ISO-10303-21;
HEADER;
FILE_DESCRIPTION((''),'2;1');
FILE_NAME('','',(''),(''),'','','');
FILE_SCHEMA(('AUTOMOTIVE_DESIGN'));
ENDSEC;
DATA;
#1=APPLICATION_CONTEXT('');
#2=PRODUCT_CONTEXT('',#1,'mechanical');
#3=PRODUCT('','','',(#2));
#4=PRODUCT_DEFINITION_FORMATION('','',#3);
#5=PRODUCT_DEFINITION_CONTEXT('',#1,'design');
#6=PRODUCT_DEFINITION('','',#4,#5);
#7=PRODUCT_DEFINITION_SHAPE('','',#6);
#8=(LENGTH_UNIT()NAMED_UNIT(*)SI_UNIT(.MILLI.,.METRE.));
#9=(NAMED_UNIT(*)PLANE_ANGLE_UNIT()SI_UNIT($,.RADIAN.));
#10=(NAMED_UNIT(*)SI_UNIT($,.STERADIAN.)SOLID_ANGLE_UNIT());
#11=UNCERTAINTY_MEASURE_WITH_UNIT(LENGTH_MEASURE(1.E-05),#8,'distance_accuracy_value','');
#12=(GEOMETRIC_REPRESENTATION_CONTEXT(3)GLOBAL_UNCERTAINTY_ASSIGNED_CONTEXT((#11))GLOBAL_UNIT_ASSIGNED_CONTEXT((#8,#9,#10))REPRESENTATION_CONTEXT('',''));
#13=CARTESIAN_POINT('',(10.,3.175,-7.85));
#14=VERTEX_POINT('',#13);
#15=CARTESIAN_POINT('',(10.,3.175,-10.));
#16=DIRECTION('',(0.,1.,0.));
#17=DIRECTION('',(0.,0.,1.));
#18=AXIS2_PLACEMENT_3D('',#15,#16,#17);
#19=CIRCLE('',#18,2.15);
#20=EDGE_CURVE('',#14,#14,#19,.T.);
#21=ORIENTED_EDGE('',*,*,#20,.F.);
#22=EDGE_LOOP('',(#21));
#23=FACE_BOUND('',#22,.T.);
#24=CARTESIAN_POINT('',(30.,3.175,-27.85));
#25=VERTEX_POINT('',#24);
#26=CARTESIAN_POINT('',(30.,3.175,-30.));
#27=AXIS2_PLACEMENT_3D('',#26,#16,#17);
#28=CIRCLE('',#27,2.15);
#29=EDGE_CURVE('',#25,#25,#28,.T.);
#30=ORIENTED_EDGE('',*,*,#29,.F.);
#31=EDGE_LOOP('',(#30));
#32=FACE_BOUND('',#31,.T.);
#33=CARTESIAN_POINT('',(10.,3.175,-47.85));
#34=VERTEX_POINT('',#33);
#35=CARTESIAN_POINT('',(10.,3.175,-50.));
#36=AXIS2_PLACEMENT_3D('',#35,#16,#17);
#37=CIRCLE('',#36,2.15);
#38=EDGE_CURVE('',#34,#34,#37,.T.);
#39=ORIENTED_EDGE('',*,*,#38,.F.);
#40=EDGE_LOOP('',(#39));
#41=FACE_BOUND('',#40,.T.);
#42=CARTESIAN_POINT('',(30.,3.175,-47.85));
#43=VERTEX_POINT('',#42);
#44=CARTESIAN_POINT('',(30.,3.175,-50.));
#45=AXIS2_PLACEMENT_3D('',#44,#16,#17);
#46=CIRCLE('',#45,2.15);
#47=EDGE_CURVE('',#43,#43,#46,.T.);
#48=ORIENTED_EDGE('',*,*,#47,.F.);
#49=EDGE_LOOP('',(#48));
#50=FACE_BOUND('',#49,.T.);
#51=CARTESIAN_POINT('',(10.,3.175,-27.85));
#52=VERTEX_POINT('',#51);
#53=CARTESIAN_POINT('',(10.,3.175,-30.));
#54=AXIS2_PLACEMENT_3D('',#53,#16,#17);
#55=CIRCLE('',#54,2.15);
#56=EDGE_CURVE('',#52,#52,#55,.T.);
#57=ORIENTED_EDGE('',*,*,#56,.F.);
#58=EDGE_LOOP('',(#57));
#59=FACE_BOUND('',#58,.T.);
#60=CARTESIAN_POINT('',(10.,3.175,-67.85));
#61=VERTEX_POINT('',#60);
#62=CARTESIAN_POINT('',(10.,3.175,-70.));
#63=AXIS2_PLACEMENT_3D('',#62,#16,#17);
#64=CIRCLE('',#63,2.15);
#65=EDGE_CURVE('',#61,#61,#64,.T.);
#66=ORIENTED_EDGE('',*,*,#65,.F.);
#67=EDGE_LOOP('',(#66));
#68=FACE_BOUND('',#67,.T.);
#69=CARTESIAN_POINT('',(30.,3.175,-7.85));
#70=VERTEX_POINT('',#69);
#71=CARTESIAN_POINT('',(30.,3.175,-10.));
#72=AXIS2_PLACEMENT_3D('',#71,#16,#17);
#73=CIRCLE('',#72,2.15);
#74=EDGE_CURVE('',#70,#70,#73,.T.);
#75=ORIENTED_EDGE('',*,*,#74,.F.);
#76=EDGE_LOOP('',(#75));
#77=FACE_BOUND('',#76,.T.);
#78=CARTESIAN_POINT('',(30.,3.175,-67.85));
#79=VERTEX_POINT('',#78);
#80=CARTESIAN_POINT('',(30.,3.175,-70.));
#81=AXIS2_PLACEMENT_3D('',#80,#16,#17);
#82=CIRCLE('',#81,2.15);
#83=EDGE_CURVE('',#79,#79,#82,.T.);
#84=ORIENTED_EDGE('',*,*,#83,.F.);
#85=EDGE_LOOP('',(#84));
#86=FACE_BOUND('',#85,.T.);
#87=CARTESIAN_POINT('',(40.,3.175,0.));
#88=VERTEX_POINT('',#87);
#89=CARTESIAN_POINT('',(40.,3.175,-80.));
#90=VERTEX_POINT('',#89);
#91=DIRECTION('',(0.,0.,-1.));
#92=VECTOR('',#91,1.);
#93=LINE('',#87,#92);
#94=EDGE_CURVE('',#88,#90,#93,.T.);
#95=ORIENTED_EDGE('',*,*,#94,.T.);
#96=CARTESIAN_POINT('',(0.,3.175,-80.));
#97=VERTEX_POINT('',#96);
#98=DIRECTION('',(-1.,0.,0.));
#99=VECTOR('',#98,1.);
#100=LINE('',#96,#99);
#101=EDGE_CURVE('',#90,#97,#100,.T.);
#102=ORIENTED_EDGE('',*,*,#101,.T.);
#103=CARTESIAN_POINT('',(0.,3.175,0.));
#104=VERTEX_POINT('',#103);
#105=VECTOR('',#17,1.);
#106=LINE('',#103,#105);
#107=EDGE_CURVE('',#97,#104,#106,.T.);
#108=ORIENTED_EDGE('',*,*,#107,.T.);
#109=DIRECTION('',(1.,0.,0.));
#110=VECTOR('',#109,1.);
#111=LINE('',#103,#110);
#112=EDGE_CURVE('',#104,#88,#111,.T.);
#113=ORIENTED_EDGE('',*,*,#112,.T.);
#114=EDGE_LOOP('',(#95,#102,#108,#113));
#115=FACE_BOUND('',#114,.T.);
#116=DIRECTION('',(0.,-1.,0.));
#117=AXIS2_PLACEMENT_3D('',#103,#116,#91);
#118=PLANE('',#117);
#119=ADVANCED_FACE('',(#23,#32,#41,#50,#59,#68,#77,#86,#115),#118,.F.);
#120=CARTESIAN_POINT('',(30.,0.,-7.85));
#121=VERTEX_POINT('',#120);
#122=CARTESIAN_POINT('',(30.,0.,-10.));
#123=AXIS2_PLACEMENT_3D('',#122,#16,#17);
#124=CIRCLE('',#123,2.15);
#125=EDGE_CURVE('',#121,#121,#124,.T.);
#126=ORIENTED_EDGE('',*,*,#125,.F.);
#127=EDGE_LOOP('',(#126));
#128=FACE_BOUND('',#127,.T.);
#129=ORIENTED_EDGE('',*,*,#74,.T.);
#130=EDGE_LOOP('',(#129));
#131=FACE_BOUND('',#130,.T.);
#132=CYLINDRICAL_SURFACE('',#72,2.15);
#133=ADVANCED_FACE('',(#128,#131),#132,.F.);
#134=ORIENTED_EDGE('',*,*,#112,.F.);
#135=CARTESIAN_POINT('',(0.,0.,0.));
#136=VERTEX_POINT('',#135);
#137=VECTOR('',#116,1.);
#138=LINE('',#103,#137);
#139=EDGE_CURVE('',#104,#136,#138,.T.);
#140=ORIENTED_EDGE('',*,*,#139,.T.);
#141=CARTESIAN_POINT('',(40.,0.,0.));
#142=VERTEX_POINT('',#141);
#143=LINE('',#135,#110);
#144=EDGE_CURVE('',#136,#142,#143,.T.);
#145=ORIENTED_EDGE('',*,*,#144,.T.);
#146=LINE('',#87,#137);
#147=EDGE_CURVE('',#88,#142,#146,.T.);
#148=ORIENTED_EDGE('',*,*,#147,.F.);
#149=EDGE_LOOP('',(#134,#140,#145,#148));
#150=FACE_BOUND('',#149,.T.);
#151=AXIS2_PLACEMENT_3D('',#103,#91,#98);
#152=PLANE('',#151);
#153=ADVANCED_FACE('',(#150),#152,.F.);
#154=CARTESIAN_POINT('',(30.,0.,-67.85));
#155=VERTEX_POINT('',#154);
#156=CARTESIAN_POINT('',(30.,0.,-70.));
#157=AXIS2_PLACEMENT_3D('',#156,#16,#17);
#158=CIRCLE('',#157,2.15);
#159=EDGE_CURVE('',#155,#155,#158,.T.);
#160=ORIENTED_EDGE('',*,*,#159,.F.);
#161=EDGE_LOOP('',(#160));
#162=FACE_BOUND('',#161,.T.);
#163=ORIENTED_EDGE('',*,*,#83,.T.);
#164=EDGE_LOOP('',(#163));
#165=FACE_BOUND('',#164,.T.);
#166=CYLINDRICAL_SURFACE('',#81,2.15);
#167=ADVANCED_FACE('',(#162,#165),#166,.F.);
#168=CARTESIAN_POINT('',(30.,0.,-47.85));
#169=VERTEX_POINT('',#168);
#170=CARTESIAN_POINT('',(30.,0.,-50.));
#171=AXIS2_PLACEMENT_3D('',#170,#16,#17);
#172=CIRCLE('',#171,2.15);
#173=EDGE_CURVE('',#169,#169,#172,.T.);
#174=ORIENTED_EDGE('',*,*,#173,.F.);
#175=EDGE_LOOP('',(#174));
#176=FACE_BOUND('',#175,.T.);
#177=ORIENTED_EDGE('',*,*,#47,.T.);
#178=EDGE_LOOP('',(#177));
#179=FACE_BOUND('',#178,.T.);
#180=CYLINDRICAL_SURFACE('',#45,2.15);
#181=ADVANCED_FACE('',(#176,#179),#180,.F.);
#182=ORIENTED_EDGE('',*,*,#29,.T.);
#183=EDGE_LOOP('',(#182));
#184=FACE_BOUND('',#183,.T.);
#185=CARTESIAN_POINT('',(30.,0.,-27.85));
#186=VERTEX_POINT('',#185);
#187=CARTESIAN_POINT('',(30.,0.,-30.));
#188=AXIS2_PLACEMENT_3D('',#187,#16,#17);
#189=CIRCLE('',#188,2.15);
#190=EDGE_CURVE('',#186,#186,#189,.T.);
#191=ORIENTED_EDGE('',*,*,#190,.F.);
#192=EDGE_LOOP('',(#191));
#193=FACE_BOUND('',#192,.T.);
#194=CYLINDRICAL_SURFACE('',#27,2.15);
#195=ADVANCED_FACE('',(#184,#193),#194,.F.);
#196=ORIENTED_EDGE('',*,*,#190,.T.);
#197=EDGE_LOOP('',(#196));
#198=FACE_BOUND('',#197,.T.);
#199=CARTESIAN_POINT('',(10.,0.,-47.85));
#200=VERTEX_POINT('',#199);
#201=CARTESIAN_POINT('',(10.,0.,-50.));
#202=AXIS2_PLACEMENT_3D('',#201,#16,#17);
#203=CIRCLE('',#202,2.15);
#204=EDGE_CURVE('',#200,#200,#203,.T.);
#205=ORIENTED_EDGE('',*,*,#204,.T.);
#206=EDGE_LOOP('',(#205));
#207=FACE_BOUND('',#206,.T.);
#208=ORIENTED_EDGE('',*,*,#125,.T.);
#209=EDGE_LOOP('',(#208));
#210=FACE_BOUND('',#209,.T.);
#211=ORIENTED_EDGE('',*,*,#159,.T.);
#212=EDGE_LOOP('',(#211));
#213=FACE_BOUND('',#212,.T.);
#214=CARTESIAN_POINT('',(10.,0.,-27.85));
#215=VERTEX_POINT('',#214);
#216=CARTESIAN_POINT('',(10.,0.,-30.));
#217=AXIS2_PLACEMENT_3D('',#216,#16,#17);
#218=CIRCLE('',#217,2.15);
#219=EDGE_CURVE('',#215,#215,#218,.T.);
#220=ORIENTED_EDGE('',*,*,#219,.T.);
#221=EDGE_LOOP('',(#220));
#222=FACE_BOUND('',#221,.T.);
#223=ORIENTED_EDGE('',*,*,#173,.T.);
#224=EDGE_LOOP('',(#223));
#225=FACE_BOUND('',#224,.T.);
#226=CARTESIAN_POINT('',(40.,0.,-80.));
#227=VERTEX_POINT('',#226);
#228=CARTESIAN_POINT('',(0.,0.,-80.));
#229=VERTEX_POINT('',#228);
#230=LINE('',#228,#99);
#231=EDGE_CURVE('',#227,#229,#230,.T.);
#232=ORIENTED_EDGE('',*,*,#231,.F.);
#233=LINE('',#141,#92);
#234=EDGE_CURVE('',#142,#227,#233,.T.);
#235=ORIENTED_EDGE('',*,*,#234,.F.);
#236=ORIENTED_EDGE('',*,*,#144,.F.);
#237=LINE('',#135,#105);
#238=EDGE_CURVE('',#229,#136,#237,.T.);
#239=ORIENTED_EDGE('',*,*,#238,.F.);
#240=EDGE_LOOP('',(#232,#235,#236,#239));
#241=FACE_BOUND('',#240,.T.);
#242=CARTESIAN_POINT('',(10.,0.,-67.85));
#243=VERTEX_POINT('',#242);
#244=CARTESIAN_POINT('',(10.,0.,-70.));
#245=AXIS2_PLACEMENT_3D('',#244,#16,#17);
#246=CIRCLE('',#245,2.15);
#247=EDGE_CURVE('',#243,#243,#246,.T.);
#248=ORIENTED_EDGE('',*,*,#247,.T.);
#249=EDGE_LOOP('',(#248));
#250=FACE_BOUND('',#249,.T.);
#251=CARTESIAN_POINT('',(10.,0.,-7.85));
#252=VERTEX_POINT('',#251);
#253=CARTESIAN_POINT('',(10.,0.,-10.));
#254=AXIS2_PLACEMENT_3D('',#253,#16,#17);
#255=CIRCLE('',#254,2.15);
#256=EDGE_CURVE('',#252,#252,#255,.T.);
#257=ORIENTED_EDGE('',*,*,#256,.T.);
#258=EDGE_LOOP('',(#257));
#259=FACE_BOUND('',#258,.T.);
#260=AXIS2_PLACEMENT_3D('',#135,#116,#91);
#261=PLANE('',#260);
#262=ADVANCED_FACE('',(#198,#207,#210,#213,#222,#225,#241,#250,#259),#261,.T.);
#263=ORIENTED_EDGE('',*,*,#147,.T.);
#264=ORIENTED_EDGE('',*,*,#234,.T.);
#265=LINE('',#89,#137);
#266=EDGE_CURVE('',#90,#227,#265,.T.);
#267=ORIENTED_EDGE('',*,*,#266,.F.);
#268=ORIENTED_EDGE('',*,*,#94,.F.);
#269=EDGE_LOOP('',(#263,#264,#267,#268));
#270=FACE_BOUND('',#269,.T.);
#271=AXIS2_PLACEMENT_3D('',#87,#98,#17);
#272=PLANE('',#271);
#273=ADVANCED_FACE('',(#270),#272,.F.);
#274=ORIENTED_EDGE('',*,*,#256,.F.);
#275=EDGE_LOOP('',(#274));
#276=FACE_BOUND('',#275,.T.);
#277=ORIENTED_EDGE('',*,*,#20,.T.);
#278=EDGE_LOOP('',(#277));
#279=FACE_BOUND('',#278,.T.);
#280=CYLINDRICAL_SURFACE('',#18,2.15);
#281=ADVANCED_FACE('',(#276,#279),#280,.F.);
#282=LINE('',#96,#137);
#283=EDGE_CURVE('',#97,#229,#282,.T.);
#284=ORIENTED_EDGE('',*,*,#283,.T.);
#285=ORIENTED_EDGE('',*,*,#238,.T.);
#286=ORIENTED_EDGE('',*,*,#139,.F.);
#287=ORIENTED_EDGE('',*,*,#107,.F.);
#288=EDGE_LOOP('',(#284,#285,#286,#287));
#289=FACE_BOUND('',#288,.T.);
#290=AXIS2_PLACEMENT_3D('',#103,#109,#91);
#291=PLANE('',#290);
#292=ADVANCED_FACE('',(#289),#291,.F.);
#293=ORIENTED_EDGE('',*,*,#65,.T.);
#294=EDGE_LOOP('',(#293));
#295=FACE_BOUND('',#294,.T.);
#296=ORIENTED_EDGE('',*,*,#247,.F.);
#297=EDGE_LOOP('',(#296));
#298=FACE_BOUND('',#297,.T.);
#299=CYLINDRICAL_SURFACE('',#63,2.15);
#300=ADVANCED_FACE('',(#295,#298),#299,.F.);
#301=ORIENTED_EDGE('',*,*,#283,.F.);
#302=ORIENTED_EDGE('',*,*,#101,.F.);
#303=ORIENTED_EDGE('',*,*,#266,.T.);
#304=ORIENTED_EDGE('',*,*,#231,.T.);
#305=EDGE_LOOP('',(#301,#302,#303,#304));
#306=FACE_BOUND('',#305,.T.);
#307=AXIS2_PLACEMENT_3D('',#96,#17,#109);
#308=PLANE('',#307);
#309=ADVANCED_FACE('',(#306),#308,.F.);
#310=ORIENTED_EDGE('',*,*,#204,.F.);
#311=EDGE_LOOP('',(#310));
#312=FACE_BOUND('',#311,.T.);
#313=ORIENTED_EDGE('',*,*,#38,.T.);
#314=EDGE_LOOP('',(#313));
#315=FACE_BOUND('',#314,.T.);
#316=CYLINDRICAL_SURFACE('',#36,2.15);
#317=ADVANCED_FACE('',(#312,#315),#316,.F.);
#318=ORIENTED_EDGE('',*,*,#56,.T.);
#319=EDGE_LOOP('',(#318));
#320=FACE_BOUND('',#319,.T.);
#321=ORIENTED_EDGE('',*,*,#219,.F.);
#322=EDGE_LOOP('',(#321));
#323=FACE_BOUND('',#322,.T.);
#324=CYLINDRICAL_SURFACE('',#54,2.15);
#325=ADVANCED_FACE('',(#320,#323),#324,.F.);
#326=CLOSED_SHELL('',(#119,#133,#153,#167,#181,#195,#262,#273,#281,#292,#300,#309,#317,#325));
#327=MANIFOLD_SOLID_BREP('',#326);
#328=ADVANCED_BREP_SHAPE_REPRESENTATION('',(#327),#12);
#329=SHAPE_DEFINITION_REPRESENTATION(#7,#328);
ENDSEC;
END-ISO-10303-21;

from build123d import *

# Parameters (mm, degrees)
SKETCH1_W            = 40
SKETCH1_H            = 80
BOSS_EXTRUDE1_DEPTH  = 3.175
M4_CLEARANCE_HOLE1_D = 4.3


with BuildPart() as part:
    # Sketch1 → Boss-Extrude1 (new body)
    with BuildSketch(Plane(origin=(0, 0, 0), x_dir=(1, 0, 0), z_dir=(0, 1, 0))):
        with Locations((20, 40)):
            Rectangle(SKETCH1_W, SKETCH1_H)
    extrude(amount=BOSS_EXTRUDE1_DEPTH)

    # M4 Clearance Hole1 (through all)
    with Locations(Plane(origin=(0, 3.175, 0), x_dir=(1, 0, 0), z_dir=(0, 1, 0))):
        with Locations((10, 70), (30, 70), (30, 50), (30, 30), (30, 10), (10, 50), (10, 30), (10, 10)):
            Hole(M4_CLEARANCE_HOLE1_D / 2)


solid = part.part
